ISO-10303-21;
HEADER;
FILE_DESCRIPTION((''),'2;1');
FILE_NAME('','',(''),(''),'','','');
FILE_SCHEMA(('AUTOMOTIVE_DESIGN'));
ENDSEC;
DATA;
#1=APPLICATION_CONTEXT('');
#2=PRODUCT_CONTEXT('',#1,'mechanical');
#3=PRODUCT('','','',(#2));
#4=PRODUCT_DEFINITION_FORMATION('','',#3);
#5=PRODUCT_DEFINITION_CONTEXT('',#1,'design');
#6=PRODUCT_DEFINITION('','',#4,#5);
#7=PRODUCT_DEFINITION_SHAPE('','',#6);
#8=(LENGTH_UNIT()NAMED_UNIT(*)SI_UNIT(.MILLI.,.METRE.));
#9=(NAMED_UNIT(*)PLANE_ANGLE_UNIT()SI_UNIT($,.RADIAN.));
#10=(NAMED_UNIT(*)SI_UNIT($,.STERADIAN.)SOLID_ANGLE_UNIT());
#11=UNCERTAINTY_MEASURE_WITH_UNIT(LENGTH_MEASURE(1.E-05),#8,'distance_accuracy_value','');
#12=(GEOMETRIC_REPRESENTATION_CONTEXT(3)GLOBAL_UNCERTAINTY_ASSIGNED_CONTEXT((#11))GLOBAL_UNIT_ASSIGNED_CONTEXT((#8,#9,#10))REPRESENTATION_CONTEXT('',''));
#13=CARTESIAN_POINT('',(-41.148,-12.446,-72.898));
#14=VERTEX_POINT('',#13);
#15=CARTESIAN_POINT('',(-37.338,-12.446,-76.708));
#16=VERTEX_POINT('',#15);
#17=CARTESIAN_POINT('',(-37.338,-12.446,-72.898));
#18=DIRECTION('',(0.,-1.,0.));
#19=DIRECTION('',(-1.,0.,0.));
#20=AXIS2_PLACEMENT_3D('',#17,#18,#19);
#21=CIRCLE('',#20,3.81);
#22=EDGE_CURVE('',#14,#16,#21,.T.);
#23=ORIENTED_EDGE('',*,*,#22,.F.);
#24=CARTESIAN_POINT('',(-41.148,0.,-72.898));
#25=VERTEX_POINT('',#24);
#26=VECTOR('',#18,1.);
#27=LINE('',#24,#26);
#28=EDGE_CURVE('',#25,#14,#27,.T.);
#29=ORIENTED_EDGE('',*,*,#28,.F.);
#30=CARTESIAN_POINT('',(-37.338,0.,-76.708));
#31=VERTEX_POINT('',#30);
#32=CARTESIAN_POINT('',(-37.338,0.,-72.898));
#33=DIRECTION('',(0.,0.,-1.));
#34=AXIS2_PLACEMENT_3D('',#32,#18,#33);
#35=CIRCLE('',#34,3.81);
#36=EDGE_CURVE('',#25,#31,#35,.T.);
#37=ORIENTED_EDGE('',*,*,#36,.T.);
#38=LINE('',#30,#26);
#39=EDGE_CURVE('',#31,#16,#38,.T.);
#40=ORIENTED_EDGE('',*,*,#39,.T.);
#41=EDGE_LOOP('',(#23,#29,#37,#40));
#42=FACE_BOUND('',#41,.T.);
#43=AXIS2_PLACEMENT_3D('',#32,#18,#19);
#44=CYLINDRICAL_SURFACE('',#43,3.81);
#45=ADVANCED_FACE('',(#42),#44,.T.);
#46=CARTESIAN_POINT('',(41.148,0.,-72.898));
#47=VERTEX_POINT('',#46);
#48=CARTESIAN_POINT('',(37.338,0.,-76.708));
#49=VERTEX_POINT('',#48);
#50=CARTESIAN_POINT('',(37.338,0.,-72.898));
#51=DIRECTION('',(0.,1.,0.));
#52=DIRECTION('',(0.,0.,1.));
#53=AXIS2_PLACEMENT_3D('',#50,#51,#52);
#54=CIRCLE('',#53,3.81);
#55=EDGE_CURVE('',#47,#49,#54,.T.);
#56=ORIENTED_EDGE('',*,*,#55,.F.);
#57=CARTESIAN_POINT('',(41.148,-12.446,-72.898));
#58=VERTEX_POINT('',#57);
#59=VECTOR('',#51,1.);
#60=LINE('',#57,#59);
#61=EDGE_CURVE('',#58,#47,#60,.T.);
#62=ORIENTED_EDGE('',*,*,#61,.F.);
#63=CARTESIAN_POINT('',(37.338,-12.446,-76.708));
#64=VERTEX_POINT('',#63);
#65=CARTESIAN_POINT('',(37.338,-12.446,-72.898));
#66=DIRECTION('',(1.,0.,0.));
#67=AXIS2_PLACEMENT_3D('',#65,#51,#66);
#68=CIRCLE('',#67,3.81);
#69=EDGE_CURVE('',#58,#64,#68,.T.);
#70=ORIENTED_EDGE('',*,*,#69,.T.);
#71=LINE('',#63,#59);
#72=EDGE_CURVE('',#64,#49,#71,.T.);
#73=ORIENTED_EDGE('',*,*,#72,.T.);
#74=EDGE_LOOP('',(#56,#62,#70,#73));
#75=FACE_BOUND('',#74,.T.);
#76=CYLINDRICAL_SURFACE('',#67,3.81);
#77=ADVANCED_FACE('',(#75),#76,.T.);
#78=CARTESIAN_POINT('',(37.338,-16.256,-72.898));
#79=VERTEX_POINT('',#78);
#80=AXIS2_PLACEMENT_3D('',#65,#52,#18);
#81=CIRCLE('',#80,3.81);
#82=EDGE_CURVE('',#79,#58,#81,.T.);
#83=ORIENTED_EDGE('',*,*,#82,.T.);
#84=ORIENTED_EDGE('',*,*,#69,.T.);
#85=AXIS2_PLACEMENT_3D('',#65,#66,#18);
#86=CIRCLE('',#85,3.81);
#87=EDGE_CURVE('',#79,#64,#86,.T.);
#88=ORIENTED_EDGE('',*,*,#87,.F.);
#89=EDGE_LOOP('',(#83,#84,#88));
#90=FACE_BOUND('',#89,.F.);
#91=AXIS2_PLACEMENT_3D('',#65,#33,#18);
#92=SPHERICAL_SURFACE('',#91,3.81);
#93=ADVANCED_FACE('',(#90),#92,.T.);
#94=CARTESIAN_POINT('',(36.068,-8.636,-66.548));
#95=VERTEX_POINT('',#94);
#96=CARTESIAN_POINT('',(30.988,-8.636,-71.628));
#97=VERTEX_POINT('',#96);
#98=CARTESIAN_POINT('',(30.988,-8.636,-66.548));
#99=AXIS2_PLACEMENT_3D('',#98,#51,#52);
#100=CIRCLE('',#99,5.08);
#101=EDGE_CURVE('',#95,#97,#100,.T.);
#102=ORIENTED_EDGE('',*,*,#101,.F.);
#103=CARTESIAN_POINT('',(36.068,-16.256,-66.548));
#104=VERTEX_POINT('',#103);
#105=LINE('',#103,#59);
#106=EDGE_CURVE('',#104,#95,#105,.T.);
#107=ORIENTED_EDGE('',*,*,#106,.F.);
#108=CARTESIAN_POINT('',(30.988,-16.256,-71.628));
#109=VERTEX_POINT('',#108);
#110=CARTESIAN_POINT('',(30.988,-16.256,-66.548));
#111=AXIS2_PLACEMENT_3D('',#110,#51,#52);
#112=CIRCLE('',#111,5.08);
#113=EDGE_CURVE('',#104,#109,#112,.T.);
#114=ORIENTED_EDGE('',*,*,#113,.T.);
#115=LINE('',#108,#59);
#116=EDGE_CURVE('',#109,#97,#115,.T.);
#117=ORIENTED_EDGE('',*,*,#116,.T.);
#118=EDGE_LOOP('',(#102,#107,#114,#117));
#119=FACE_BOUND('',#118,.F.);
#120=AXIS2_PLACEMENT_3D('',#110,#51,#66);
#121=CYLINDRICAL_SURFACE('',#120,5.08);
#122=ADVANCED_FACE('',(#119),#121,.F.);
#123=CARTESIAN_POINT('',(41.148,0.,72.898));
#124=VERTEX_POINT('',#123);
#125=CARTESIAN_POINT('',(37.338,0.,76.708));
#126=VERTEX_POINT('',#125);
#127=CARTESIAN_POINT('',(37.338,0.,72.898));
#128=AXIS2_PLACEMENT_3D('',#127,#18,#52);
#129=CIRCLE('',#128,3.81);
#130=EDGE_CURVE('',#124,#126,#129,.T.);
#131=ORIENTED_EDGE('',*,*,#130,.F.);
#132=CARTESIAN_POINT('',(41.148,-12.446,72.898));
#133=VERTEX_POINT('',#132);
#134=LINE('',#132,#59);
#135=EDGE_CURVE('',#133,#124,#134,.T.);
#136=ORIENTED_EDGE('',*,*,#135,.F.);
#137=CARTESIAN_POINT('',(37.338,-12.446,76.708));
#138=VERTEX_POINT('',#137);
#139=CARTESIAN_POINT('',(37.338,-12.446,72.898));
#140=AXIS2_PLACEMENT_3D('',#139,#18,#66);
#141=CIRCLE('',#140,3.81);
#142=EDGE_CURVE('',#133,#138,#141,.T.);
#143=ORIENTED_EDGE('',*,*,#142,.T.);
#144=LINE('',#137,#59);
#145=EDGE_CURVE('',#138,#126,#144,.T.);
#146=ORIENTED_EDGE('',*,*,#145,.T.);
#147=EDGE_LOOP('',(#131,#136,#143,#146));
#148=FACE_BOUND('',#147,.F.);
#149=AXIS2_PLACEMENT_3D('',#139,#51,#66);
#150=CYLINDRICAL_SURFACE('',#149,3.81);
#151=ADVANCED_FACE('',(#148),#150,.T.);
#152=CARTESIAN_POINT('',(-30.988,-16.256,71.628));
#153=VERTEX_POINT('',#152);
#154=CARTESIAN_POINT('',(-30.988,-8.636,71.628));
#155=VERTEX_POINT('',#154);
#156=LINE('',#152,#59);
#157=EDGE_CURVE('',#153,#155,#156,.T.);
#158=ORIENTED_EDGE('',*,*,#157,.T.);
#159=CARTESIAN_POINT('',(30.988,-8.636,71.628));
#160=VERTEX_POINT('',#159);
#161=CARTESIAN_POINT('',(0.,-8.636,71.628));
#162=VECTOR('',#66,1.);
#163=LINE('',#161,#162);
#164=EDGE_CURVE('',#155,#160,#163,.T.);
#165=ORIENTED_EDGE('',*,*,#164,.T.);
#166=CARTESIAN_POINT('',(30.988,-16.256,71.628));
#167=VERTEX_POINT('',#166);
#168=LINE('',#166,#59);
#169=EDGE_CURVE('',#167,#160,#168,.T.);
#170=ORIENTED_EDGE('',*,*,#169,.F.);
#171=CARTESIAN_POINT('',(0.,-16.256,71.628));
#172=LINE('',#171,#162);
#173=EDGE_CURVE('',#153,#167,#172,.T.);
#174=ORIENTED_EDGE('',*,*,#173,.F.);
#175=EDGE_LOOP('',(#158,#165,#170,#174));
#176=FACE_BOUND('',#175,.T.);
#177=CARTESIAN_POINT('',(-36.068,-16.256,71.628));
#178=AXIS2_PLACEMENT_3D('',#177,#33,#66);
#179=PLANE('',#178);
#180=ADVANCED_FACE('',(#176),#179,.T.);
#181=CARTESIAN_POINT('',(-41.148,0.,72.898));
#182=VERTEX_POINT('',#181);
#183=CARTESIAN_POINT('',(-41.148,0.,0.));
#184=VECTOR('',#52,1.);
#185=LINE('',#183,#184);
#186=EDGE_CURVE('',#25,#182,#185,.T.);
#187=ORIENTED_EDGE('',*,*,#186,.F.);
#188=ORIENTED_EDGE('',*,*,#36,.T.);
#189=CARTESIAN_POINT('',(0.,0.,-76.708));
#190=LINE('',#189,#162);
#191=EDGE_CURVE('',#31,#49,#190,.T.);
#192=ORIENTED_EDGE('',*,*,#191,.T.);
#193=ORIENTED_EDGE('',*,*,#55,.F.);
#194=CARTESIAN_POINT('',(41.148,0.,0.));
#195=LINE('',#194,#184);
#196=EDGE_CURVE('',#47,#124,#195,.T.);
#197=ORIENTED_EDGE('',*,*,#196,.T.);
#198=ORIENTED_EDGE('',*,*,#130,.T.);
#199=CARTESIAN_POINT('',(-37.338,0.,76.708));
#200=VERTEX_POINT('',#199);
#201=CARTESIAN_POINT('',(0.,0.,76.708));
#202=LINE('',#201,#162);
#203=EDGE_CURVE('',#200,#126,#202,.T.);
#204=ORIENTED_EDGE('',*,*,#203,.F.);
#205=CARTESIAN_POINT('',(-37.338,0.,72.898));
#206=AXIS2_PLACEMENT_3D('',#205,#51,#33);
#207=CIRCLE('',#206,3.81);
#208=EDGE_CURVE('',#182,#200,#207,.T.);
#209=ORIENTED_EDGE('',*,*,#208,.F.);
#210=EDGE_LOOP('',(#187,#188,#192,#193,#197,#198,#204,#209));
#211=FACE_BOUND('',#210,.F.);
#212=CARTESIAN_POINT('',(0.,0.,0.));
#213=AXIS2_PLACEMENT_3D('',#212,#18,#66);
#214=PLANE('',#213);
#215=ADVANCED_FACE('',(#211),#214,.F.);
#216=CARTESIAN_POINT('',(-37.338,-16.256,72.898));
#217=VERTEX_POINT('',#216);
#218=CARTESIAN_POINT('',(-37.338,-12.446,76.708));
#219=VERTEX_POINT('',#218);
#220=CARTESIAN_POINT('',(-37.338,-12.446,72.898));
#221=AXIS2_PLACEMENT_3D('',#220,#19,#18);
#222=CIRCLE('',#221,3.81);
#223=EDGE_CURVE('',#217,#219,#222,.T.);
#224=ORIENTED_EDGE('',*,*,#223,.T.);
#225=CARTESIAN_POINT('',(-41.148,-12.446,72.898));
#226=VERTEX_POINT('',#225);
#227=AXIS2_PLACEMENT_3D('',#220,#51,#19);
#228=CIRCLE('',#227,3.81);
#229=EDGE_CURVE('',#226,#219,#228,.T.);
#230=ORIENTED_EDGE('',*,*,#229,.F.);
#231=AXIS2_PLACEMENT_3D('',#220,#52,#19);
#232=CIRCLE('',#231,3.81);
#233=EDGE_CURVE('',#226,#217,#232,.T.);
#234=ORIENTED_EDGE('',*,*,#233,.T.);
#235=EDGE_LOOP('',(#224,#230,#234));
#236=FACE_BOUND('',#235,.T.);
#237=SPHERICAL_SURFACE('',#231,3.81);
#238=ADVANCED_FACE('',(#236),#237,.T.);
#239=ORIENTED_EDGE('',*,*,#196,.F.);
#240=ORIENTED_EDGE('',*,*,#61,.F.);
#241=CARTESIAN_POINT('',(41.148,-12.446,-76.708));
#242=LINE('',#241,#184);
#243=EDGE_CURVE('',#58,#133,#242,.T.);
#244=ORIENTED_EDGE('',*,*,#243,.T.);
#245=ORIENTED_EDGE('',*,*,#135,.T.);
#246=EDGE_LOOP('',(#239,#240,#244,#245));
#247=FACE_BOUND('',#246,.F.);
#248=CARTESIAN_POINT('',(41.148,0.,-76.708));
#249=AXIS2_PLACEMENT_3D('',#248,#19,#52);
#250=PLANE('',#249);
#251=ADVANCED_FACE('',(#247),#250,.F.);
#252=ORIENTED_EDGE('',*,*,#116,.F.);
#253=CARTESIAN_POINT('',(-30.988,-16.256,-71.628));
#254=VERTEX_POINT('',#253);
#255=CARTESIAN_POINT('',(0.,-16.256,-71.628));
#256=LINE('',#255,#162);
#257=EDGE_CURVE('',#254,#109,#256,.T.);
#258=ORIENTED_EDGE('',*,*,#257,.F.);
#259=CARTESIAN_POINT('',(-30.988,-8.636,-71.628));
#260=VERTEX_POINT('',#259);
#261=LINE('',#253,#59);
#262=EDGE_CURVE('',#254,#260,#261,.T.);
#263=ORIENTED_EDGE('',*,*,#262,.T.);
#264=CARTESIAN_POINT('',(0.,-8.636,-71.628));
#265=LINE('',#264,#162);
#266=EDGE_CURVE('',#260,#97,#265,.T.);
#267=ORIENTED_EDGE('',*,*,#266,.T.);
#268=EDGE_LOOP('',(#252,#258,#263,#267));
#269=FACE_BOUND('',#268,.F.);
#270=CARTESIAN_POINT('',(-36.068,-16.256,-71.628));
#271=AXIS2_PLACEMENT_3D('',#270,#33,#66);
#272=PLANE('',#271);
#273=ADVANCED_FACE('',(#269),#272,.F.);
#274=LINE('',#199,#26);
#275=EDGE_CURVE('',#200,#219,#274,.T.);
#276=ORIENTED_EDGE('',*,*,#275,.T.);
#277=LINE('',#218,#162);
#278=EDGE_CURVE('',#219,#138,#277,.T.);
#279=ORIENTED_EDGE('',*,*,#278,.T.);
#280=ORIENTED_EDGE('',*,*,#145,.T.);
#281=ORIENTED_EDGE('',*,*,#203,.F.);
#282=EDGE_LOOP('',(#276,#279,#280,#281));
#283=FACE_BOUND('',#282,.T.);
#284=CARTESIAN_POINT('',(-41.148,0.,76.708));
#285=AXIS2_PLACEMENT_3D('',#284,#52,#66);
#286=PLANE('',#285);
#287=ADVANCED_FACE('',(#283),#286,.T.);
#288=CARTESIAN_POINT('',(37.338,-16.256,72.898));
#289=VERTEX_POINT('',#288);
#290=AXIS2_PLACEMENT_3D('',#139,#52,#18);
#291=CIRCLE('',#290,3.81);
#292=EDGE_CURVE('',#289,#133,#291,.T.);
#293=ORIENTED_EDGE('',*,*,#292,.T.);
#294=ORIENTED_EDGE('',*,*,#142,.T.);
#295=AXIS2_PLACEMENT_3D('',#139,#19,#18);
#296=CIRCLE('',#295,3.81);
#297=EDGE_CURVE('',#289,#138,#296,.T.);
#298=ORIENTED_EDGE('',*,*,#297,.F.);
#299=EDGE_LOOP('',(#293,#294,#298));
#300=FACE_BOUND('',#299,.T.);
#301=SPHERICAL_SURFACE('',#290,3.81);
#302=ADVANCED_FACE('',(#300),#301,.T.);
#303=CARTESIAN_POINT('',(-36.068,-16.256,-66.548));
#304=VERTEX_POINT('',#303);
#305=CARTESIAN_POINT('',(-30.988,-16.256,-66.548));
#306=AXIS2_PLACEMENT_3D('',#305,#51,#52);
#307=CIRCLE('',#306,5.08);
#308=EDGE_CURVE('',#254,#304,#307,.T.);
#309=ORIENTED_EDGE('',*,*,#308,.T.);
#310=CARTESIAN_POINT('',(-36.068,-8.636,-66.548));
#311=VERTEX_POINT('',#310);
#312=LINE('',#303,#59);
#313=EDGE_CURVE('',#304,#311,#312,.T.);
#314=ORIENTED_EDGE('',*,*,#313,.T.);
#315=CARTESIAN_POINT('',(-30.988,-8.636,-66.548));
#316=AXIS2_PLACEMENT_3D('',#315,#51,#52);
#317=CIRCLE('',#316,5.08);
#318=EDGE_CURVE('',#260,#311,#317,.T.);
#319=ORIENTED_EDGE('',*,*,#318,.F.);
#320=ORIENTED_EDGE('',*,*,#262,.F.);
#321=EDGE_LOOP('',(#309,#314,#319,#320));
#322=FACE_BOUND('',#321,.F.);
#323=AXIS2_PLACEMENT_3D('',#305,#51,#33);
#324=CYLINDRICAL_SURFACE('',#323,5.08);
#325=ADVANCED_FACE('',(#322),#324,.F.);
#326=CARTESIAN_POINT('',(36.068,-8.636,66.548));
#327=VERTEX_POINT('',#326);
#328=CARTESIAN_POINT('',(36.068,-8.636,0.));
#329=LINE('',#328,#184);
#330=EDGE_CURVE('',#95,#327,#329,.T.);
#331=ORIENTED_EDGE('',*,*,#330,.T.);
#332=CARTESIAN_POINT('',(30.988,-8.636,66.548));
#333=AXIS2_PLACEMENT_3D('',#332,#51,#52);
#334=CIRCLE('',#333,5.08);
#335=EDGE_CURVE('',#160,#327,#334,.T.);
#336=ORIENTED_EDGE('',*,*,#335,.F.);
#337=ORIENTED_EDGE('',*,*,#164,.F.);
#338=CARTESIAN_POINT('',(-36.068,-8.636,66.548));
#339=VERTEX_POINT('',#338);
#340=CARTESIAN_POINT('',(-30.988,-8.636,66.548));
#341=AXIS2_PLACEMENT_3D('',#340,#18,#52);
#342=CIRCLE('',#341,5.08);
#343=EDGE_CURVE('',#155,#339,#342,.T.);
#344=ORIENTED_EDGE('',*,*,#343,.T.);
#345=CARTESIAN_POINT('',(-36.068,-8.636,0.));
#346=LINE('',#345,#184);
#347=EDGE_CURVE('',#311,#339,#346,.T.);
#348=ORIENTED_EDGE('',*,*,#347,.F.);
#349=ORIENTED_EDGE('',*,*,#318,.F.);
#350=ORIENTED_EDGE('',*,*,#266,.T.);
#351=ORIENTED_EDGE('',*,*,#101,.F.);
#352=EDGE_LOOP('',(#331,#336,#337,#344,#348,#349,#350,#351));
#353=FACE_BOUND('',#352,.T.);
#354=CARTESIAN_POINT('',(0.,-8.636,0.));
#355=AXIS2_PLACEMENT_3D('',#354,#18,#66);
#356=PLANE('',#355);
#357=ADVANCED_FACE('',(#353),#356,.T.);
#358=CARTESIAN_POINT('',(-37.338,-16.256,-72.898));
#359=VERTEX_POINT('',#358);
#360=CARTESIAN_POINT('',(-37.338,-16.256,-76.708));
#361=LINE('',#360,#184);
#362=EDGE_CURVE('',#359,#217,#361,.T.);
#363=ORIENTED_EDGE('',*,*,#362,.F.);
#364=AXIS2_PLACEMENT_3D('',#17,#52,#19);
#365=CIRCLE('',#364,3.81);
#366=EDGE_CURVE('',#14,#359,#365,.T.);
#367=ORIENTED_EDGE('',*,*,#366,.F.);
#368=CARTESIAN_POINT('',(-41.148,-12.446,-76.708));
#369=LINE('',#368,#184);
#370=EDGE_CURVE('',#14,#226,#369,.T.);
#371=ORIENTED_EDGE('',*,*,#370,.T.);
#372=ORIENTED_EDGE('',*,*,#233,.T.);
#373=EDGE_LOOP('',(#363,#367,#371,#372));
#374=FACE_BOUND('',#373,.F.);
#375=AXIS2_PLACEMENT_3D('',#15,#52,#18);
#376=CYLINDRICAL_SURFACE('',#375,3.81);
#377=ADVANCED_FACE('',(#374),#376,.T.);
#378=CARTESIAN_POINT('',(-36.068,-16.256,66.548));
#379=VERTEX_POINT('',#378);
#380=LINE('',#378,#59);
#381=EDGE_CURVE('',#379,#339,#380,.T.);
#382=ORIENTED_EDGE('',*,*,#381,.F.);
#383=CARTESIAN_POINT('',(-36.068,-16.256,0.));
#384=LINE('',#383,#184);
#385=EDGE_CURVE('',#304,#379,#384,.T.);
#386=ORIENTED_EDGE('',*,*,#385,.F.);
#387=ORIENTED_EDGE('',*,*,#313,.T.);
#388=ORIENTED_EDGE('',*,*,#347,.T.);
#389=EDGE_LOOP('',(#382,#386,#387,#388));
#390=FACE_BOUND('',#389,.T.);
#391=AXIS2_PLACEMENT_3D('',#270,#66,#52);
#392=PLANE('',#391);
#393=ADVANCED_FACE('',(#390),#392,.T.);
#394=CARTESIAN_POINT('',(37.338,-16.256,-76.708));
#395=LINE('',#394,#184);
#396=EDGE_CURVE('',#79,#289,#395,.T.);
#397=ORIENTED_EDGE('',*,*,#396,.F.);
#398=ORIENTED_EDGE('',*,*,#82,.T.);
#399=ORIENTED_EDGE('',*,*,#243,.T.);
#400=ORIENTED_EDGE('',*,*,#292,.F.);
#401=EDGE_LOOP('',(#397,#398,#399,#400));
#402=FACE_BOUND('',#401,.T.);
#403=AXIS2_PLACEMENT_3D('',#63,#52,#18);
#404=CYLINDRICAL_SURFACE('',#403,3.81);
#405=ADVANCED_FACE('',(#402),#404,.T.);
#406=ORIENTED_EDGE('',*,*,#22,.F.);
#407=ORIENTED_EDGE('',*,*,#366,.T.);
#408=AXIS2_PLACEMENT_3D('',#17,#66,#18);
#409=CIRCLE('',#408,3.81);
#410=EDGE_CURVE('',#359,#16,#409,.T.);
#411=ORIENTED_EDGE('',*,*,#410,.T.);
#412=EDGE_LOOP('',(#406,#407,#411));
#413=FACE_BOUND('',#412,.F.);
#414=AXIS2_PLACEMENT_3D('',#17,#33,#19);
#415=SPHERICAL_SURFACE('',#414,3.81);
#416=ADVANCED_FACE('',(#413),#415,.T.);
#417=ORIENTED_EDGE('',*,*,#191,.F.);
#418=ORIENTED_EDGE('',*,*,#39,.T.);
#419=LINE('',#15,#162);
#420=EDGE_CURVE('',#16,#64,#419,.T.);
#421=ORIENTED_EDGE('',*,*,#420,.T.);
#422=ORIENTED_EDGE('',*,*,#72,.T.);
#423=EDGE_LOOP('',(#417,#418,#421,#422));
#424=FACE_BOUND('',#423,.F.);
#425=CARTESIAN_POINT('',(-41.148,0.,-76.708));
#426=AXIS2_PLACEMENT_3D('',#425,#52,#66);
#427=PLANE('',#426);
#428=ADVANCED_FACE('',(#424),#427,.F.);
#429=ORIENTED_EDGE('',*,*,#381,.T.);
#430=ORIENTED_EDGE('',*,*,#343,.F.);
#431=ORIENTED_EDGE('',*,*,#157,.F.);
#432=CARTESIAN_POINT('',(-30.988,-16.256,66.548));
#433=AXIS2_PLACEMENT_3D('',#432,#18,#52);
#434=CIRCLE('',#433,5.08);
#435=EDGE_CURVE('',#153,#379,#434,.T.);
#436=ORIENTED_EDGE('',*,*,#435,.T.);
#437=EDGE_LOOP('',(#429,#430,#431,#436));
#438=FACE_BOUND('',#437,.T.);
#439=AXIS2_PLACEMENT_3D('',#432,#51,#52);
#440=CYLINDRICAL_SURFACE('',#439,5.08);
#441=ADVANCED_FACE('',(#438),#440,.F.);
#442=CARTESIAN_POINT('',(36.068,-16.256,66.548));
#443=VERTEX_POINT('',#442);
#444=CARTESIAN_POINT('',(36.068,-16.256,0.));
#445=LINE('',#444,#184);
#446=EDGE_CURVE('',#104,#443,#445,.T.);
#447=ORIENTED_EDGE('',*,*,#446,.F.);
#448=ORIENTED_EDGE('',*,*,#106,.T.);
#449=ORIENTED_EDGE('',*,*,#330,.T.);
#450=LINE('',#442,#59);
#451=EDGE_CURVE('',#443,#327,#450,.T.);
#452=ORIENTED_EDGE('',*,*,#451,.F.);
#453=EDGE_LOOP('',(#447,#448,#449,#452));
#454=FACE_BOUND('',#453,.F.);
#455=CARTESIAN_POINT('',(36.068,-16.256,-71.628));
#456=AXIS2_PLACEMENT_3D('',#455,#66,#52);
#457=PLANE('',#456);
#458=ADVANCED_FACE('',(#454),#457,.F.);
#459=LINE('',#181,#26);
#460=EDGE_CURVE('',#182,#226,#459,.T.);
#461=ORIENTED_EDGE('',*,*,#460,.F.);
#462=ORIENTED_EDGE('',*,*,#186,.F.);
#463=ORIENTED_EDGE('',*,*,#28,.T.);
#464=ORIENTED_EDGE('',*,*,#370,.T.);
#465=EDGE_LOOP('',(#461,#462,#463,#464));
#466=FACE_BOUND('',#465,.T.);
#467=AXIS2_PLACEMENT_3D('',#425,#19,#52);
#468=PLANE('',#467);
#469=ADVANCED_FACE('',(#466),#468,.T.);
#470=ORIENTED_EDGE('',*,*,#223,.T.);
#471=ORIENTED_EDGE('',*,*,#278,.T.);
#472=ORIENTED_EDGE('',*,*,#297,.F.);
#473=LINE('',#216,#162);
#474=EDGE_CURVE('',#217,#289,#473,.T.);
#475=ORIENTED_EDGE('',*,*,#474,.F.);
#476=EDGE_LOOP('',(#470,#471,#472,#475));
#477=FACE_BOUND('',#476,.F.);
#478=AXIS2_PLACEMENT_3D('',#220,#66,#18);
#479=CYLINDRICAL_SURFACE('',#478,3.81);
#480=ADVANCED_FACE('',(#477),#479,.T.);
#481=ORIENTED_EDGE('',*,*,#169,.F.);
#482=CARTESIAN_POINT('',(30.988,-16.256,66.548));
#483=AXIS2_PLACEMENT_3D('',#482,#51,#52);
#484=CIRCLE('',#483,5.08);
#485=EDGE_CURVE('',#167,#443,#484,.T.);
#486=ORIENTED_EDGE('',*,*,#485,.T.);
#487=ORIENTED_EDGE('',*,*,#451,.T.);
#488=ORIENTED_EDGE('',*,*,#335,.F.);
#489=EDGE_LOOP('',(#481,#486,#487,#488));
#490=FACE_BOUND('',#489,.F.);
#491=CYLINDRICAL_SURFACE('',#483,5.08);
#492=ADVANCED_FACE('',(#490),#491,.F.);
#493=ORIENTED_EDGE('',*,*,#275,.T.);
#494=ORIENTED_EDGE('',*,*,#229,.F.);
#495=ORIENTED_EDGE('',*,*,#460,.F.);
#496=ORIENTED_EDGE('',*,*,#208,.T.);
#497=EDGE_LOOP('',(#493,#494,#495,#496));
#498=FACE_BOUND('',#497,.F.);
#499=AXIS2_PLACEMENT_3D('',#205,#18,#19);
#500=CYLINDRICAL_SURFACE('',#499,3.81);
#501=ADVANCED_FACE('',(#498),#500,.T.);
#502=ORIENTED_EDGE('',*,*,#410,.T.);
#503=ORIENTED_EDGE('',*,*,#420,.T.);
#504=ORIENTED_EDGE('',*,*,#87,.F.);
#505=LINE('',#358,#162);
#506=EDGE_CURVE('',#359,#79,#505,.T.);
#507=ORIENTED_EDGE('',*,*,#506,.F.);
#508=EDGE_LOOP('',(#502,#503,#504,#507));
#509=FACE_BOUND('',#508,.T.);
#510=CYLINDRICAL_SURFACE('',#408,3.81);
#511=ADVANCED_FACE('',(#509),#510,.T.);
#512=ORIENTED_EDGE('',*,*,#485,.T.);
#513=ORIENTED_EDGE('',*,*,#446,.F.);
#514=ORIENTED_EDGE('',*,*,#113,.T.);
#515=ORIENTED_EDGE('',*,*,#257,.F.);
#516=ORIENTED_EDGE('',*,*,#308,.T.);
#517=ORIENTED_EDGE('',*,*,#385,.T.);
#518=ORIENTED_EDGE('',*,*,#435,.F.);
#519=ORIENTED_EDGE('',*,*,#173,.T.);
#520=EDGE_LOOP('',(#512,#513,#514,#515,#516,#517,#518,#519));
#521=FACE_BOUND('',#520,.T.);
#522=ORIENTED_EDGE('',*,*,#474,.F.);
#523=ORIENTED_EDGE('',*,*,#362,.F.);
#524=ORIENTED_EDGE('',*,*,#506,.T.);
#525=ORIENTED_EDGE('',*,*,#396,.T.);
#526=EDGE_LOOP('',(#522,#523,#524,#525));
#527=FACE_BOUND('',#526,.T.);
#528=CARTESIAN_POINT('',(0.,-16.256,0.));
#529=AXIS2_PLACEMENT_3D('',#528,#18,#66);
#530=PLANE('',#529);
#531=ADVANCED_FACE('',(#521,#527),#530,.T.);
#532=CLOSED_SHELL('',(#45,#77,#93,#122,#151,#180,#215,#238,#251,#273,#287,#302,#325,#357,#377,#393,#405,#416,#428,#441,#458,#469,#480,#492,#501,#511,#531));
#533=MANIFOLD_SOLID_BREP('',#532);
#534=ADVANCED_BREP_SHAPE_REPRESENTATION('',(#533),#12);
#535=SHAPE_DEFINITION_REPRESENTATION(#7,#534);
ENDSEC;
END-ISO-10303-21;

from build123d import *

# Parameters (mm, degrees)
F0_W     = 82.296
F0_H     = 153.416
F1_DEPTH = 16.256
F2_W     = 72.136
F2_H     = 143.256
F3_DEPTH = 7.62
F4_R     = 5.08
F5_R     = 5.08
F6_R     = 5.08
F7_R     = 5.08
F8_R     = 3.81
F9_R     = 3.81


with BuildPart() as f1:
    # F0 (on Front) → F1 (new body)
    with BuildSketch(Plane.XZ):
        Rectangle(F0_W, F0_H)
    extrude(amount=F1_DEPTH)

    # F2 (on face) → F3 (cut)
    with BuildSketch(Plane.XZ.offset(16.256)):
        Rectangle(F2_W, F2_H)
    extrude(amount=-F3_DEPTH, mode=Mode.SUBTRACT)

    # F4
    f4_edges = [f1.edges().sort_by_distance(p)[0] for p in [
        (-36.068, -12.446, 71.628),
    ]]
    fillet(f4_edges, radius=F4_R)

    # F5
    f5_edges = [f1.edges().sort_by_distance(p)[0] for p in [
        (36.068, -12.446, 71.628),
    ]]
    fillet(f5_edges, radius=F5_R)

    # F6
    f6_edges = [f1.edges().sort_by_distance(p)[0] for p in [
        (36.068, -12.446, -71.628),
    ]]
    fillet(f6_edges, radius=F6_R)

    # F7
    f7_edges = [f1.edges().sort_by_distance(p)[0] for p in [
        (-36.068, -12.446, -71.628),
    ]]
    fillet(f7_edges, radius=F7_R)

    # F8
    f8_edges = [f1.edges().sort_by_distance(p)[0] for p in [
        (41.148, -16.256, 0),
        (-41.148, -16.256, 0),
    ]]
    fillet(f8_edges, radius=F8_R)

    # F9
    f9_edges = [f1.edges().sort_by_distance(p)[0] for p in [
        (0, -16.256, 76.708),
        (0, -16.256, -76.708),
    ]]
    fillet(f9_edges, radius=F9_R)


solid = f1.part
